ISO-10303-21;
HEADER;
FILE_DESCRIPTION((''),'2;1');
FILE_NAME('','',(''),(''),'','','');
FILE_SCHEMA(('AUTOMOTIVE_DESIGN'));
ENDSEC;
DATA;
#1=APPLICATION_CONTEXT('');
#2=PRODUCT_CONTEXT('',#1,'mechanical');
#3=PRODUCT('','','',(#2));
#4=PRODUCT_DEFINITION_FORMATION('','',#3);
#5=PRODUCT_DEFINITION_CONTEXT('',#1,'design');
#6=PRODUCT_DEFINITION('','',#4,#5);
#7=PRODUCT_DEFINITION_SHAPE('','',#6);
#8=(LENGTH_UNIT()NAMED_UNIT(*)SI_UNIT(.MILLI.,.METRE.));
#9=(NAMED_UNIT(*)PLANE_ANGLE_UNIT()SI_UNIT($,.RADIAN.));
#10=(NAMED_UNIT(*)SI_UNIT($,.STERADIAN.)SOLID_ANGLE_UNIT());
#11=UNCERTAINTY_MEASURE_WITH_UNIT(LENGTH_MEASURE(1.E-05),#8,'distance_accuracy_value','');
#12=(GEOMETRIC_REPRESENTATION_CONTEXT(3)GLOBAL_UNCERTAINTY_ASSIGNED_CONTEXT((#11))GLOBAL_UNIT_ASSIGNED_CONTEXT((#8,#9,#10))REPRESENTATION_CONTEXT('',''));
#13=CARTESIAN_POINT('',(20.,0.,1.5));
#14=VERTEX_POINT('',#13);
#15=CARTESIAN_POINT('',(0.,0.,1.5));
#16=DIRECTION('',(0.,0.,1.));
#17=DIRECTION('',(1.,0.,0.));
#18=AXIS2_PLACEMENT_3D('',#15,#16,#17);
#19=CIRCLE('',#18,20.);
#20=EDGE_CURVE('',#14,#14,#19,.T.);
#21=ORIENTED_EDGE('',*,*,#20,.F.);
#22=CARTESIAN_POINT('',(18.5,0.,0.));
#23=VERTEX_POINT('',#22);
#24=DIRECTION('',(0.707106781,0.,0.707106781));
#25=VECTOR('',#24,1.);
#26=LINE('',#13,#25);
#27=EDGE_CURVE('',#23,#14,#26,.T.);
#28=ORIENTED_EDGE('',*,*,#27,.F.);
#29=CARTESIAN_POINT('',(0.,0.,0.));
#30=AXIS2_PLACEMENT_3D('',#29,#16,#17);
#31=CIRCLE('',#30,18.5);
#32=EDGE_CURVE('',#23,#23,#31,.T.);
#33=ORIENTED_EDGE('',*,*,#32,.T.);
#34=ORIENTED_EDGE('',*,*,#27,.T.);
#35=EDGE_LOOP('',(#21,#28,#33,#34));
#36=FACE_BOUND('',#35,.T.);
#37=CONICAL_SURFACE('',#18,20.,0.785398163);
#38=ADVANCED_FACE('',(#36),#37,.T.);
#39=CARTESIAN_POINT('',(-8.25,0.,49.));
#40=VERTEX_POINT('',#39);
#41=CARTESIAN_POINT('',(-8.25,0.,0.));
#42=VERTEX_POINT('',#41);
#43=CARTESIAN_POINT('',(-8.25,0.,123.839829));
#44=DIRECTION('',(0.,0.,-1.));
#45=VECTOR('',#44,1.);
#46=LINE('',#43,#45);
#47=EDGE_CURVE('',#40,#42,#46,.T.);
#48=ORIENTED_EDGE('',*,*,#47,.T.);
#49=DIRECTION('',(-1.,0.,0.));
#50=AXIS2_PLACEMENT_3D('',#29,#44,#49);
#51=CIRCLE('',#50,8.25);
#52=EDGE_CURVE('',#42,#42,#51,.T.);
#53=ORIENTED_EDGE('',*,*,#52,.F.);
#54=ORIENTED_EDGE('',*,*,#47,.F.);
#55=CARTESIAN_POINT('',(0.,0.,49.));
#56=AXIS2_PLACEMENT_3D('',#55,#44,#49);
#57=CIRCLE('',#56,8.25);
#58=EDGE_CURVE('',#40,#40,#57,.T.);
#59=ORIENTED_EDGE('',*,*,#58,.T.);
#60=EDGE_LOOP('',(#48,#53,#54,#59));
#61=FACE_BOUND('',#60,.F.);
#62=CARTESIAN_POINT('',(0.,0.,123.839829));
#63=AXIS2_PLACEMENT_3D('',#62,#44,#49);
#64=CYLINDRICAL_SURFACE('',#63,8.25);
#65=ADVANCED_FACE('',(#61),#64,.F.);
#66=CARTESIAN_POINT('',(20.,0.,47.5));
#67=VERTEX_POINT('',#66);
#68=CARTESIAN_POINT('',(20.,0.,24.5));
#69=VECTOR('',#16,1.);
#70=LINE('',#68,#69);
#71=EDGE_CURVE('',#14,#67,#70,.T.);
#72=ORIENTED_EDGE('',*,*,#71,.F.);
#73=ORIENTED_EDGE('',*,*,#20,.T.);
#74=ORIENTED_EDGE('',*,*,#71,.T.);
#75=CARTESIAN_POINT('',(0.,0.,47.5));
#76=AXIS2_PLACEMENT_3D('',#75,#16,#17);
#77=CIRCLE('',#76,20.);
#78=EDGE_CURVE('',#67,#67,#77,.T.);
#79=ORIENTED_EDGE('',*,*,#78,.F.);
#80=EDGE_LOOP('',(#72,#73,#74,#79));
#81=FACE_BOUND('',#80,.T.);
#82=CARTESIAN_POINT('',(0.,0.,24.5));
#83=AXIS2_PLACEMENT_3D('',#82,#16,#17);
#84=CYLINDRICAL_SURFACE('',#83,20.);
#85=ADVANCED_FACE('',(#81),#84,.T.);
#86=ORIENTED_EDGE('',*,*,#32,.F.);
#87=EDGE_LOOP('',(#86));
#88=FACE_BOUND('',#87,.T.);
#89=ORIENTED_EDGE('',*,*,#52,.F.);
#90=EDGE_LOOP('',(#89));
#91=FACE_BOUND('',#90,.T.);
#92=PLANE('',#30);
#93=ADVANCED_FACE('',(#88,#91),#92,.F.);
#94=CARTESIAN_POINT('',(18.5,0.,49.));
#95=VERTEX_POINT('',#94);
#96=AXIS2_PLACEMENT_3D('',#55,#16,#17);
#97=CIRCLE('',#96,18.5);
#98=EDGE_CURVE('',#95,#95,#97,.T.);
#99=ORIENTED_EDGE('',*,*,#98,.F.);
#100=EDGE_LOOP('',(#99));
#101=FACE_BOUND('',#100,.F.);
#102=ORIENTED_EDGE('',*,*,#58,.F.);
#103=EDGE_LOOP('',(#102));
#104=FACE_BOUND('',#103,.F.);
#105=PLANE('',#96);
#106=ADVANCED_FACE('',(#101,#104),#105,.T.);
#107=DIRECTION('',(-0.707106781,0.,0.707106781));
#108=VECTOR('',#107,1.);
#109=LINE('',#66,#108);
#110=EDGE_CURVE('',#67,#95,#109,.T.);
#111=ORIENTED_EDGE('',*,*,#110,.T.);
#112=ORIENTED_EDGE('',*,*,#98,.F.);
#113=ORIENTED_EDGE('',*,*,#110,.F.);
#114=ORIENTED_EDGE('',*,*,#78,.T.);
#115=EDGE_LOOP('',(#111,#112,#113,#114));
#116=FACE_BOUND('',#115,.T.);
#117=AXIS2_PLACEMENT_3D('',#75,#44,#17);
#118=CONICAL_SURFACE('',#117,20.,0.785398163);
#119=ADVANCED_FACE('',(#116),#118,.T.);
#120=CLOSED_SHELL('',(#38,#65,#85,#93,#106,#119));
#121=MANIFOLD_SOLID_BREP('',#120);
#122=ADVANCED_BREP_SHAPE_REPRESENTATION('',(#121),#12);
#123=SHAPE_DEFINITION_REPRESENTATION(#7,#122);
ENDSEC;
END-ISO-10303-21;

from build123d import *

# Parameters (mm, degrees)
F0_W    = 20
F0_H    = 49
F3_D    = 16.5
F4_SIZE = 1.5


with BuildPart() as f1:
    # F0 (on Front) → F1 (revolve)
    with BuildSketch(Plane.XZ):
        with Locations((10, 24.5)):
            Rectangle(F0_W, F0_H)
    revolve(axis=Axis((0, 0, 21.905942), (0, 0, 1)))

    # F3 (through all)
    with Locations(Plane.XY.offset(49)):
        with Locations((0, 0)):
            Hole(F3_D / 2)

    # F4
    f4_edges = [f1.edges().sort_by_distance(p)[0] for p in [
        (-20, 0, 49),
        (-20, 0, 0),
    ]]
    chamfer(f4_edges, length=F4_SIZE)


solid = f1.part
